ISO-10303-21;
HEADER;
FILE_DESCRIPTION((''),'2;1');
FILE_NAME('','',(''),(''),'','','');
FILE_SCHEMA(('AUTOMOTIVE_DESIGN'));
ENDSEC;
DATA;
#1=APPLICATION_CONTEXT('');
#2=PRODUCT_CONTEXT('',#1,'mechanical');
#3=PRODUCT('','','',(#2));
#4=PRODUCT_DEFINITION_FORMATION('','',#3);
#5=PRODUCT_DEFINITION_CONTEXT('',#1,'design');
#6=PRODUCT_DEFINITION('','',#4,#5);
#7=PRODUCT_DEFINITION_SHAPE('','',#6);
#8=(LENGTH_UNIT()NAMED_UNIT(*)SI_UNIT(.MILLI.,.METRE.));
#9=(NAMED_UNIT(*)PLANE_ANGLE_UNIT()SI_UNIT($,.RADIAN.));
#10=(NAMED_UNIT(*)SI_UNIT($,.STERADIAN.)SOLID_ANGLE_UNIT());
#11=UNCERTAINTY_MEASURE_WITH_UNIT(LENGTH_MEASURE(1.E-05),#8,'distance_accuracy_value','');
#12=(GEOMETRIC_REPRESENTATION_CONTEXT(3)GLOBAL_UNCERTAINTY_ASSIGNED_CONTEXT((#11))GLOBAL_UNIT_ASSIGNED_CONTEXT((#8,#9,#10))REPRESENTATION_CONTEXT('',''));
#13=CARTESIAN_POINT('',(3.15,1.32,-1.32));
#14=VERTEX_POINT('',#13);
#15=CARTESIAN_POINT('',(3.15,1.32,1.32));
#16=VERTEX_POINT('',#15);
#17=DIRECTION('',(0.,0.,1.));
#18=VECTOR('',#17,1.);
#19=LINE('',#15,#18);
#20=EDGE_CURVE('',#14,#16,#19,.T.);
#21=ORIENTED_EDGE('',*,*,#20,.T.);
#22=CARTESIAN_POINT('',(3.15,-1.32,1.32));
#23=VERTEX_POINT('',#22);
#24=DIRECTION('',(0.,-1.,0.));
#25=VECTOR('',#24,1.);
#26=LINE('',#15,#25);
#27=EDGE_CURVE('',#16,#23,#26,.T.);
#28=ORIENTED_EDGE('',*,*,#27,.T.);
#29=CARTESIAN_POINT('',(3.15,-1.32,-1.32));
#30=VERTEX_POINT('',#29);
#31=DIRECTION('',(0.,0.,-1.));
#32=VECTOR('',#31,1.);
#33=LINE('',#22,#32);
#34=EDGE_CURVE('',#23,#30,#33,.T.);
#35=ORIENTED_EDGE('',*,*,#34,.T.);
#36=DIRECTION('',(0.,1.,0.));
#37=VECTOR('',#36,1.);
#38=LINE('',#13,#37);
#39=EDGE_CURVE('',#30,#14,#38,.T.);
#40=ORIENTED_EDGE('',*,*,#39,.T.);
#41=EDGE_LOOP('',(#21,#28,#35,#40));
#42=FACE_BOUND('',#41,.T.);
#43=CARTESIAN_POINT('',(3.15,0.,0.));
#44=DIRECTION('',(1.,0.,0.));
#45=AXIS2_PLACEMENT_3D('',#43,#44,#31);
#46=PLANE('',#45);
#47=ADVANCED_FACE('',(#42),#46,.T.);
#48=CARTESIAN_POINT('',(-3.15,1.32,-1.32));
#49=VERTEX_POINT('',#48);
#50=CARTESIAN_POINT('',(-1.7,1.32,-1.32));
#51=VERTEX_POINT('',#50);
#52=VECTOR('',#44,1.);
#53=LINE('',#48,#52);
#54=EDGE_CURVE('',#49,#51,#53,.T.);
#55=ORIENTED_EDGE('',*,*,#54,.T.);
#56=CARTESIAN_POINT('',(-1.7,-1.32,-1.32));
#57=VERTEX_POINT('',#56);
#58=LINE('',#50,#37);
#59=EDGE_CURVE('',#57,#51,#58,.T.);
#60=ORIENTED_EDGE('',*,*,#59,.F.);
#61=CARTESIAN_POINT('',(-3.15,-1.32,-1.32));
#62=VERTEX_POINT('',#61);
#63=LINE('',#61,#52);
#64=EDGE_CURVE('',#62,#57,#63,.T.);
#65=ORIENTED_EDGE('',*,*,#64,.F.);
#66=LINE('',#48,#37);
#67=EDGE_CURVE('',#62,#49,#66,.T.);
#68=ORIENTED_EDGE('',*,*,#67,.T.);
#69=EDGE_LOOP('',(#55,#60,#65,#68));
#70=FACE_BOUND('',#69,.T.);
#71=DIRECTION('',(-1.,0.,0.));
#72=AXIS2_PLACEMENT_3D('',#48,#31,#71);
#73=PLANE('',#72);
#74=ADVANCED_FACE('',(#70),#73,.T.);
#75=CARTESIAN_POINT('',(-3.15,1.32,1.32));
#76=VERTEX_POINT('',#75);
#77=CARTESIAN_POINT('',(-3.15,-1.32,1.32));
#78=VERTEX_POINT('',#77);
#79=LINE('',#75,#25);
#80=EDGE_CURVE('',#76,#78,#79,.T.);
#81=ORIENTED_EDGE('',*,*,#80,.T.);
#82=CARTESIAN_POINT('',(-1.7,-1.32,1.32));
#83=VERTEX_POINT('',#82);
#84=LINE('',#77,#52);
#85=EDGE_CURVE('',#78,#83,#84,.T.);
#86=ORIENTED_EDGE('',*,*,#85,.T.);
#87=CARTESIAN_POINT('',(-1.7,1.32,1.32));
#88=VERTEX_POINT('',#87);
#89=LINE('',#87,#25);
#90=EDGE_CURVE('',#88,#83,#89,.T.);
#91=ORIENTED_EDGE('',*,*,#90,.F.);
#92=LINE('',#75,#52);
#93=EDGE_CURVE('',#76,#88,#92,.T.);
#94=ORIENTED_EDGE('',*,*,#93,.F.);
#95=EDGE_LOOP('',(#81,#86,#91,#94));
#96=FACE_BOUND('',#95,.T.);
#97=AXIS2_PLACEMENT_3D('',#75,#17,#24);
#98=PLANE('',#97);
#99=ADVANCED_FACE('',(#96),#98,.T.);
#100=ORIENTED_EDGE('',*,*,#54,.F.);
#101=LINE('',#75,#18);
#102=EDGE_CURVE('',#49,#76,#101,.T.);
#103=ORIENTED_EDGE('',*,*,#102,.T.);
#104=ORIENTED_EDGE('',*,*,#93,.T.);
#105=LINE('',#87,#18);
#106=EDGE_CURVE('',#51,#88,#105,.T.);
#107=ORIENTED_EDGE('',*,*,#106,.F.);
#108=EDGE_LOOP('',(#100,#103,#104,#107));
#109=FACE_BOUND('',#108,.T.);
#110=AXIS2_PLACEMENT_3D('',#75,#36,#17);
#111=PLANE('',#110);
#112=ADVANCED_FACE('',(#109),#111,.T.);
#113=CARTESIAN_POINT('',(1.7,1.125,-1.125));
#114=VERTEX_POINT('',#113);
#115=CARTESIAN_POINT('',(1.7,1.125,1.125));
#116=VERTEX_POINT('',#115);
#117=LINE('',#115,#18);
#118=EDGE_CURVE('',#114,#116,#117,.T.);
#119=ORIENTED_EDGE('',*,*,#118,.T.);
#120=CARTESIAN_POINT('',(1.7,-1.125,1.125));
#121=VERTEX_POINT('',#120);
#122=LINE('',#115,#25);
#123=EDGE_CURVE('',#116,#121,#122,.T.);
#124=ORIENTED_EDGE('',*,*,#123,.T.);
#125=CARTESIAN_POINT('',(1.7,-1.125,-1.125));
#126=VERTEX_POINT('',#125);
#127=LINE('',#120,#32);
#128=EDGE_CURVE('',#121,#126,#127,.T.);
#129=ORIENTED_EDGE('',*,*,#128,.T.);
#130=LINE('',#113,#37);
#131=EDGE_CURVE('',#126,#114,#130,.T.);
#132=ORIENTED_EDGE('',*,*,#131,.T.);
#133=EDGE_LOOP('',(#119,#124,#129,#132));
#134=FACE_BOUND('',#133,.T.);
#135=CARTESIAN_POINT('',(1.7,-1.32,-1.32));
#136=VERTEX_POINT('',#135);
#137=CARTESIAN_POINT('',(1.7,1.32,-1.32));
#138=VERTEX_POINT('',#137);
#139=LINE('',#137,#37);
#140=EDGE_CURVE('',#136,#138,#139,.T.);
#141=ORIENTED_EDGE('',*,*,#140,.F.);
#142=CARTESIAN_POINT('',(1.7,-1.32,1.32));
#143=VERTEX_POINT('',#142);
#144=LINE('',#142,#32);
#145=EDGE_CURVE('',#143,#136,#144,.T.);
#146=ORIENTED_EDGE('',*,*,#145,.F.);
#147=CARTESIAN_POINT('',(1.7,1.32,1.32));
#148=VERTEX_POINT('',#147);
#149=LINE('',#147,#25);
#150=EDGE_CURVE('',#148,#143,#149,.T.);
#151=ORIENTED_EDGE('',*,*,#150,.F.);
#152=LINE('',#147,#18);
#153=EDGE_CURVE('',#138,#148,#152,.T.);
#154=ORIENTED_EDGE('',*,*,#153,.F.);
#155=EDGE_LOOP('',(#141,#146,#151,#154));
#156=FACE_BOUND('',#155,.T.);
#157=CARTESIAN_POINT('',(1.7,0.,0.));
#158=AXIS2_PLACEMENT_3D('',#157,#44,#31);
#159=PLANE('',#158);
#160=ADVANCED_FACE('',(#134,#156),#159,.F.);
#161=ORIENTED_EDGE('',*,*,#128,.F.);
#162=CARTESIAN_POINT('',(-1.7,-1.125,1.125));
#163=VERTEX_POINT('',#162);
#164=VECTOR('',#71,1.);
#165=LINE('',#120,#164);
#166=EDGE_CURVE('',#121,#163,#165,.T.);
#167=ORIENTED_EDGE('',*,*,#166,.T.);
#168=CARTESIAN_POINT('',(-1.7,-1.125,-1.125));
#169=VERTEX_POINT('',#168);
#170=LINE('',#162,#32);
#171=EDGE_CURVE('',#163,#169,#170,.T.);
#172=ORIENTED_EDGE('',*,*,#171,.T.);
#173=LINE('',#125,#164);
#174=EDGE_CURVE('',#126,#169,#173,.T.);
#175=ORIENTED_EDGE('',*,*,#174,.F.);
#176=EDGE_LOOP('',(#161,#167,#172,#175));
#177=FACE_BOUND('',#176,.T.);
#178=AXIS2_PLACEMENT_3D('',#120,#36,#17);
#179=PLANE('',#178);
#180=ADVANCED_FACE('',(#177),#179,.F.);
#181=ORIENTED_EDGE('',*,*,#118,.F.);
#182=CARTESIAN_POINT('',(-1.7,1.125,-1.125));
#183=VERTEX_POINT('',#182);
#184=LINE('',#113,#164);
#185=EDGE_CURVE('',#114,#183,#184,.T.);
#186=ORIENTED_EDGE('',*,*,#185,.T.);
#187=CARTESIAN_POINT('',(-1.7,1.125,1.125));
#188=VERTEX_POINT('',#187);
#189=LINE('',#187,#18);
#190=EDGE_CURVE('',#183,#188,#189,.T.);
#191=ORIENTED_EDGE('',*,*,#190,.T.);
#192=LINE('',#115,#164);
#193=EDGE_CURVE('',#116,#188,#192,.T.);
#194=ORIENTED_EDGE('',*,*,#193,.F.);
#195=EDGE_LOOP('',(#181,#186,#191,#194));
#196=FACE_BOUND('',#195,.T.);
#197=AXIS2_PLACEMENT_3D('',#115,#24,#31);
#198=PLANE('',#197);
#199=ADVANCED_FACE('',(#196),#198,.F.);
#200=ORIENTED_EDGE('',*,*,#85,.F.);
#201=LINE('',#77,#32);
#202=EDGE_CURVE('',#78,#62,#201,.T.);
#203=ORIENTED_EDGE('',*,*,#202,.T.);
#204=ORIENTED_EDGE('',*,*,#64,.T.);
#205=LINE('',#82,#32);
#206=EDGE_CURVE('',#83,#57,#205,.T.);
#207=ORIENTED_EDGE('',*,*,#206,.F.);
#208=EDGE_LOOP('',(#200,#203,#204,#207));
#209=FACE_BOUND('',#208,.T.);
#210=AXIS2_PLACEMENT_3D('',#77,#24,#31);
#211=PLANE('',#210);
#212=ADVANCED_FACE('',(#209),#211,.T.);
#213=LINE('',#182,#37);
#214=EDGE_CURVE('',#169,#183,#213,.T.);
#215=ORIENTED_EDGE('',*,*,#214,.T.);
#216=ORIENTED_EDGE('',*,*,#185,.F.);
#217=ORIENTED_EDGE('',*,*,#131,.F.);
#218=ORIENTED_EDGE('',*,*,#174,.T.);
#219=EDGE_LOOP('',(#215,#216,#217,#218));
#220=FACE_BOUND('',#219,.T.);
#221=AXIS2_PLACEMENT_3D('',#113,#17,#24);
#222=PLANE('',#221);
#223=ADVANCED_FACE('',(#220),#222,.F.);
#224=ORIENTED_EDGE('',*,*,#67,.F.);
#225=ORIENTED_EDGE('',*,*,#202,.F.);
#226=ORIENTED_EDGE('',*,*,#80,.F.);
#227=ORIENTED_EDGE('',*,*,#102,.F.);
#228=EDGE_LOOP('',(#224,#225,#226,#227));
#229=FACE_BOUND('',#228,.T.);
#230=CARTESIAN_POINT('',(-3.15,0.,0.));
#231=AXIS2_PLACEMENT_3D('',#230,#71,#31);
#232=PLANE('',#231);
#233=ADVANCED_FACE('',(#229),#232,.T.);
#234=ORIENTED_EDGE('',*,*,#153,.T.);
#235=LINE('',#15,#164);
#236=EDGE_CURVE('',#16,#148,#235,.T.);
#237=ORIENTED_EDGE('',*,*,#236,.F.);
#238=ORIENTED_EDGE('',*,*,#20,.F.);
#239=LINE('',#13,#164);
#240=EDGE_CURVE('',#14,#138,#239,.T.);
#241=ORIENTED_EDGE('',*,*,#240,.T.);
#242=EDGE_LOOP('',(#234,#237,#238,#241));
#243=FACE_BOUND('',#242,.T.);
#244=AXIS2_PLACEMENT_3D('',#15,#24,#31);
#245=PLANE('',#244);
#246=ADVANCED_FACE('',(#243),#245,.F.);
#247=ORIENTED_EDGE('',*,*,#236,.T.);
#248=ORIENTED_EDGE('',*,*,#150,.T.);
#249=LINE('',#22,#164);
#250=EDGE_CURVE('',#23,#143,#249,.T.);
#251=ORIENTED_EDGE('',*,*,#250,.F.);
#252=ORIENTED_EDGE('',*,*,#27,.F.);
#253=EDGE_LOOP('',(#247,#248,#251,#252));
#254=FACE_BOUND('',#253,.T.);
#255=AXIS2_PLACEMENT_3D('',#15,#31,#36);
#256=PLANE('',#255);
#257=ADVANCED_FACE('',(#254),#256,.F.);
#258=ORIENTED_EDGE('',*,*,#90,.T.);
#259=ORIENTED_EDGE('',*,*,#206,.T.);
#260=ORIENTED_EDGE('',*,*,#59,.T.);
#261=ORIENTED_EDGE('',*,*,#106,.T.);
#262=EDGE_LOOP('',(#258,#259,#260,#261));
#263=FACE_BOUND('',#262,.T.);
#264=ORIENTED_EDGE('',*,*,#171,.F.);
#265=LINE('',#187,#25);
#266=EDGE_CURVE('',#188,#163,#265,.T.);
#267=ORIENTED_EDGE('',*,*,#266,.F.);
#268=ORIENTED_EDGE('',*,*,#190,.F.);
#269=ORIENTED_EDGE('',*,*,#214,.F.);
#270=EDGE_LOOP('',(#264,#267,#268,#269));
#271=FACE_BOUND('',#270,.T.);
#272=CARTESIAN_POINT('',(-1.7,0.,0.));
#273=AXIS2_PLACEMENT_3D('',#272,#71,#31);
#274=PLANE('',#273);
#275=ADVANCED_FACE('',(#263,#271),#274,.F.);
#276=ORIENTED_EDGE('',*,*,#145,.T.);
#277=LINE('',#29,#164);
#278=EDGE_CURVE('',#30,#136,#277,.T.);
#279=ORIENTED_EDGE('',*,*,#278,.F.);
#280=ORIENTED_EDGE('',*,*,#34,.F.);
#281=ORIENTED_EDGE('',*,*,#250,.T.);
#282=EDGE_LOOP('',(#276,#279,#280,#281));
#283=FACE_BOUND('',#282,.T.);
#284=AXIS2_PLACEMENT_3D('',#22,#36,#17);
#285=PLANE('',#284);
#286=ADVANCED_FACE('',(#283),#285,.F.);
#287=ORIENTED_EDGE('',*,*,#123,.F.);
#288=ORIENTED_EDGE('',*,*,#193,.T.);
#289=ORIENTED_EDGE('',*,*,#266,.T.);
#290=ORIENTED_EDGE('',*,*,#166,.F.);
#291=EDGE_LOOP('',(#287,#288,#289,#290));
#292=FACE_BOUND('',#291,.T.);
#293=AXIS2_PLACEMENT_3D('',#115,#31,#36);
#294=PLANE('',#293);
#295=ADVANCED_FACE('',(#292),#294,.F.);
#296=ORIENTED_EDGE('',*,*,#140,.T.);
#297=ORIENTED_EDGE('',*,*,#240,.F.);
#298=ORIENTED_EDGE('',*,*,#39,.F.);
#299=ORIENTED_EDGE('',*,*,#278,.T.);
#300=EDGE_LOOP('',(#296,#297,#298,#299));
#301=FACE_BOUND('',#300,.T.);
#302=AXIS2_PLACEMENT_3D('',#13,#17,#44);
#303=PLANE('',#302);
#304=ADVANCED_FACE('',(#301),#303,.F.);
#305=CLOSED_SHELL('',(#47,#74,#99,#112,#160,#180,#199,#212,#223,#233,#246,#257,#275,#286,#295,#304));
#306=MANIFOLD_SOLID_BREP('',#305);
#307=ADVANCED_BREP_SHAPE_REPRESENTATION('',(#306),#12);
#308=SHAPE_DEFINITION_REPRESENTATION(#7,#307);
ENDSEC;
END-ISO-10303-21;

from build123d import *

# Parameters (mm, degrees)
SKETCH1_W           = 2.25
SKETCH1_H           = 2.25
BOSS_EXTRUDE1_DEPTH = 1.7
SKETCH2_W           = 2.64
SKETCH2_H           = 2.64
BOSS_EXTRUDE2_DEPTH = 1.45


with BuildPart() as part:
    # Sketch1 → Boss-Extrude1 (new, symmetric)
    with BuildSketch(Plane(origin=(0, 0, 0), x_dir=(0, 0, -1), z_dir=(1, 0, 0))):
        Rectangle(SKETCH1_W, SKETCH1_H)
    extrude(amount=BOSS_EXTRUDE1_DEPTH, both=True)

    # Sketch2 → Boss-Extrude2 (add)
    with BuildSketch(Plane(origin=(1.7, 0, 0), x_dir=(0, 0, -1), z_dir=(1, 0, 0))):
        Rectangle(SKETCH2_W, SKETCH2_H)
    boss_extrude2 = extrude(amount=BOSS_EXTRUDE2_DEPTH)

    # Mirror1: Boss-Extrude2 across plane
    add(boss_extrude2.mirror(Plane(origin=(0, 0, 0), x_dir=(0, 0, 1), z_dir=(1, 0, 0))))


solid = part.part
